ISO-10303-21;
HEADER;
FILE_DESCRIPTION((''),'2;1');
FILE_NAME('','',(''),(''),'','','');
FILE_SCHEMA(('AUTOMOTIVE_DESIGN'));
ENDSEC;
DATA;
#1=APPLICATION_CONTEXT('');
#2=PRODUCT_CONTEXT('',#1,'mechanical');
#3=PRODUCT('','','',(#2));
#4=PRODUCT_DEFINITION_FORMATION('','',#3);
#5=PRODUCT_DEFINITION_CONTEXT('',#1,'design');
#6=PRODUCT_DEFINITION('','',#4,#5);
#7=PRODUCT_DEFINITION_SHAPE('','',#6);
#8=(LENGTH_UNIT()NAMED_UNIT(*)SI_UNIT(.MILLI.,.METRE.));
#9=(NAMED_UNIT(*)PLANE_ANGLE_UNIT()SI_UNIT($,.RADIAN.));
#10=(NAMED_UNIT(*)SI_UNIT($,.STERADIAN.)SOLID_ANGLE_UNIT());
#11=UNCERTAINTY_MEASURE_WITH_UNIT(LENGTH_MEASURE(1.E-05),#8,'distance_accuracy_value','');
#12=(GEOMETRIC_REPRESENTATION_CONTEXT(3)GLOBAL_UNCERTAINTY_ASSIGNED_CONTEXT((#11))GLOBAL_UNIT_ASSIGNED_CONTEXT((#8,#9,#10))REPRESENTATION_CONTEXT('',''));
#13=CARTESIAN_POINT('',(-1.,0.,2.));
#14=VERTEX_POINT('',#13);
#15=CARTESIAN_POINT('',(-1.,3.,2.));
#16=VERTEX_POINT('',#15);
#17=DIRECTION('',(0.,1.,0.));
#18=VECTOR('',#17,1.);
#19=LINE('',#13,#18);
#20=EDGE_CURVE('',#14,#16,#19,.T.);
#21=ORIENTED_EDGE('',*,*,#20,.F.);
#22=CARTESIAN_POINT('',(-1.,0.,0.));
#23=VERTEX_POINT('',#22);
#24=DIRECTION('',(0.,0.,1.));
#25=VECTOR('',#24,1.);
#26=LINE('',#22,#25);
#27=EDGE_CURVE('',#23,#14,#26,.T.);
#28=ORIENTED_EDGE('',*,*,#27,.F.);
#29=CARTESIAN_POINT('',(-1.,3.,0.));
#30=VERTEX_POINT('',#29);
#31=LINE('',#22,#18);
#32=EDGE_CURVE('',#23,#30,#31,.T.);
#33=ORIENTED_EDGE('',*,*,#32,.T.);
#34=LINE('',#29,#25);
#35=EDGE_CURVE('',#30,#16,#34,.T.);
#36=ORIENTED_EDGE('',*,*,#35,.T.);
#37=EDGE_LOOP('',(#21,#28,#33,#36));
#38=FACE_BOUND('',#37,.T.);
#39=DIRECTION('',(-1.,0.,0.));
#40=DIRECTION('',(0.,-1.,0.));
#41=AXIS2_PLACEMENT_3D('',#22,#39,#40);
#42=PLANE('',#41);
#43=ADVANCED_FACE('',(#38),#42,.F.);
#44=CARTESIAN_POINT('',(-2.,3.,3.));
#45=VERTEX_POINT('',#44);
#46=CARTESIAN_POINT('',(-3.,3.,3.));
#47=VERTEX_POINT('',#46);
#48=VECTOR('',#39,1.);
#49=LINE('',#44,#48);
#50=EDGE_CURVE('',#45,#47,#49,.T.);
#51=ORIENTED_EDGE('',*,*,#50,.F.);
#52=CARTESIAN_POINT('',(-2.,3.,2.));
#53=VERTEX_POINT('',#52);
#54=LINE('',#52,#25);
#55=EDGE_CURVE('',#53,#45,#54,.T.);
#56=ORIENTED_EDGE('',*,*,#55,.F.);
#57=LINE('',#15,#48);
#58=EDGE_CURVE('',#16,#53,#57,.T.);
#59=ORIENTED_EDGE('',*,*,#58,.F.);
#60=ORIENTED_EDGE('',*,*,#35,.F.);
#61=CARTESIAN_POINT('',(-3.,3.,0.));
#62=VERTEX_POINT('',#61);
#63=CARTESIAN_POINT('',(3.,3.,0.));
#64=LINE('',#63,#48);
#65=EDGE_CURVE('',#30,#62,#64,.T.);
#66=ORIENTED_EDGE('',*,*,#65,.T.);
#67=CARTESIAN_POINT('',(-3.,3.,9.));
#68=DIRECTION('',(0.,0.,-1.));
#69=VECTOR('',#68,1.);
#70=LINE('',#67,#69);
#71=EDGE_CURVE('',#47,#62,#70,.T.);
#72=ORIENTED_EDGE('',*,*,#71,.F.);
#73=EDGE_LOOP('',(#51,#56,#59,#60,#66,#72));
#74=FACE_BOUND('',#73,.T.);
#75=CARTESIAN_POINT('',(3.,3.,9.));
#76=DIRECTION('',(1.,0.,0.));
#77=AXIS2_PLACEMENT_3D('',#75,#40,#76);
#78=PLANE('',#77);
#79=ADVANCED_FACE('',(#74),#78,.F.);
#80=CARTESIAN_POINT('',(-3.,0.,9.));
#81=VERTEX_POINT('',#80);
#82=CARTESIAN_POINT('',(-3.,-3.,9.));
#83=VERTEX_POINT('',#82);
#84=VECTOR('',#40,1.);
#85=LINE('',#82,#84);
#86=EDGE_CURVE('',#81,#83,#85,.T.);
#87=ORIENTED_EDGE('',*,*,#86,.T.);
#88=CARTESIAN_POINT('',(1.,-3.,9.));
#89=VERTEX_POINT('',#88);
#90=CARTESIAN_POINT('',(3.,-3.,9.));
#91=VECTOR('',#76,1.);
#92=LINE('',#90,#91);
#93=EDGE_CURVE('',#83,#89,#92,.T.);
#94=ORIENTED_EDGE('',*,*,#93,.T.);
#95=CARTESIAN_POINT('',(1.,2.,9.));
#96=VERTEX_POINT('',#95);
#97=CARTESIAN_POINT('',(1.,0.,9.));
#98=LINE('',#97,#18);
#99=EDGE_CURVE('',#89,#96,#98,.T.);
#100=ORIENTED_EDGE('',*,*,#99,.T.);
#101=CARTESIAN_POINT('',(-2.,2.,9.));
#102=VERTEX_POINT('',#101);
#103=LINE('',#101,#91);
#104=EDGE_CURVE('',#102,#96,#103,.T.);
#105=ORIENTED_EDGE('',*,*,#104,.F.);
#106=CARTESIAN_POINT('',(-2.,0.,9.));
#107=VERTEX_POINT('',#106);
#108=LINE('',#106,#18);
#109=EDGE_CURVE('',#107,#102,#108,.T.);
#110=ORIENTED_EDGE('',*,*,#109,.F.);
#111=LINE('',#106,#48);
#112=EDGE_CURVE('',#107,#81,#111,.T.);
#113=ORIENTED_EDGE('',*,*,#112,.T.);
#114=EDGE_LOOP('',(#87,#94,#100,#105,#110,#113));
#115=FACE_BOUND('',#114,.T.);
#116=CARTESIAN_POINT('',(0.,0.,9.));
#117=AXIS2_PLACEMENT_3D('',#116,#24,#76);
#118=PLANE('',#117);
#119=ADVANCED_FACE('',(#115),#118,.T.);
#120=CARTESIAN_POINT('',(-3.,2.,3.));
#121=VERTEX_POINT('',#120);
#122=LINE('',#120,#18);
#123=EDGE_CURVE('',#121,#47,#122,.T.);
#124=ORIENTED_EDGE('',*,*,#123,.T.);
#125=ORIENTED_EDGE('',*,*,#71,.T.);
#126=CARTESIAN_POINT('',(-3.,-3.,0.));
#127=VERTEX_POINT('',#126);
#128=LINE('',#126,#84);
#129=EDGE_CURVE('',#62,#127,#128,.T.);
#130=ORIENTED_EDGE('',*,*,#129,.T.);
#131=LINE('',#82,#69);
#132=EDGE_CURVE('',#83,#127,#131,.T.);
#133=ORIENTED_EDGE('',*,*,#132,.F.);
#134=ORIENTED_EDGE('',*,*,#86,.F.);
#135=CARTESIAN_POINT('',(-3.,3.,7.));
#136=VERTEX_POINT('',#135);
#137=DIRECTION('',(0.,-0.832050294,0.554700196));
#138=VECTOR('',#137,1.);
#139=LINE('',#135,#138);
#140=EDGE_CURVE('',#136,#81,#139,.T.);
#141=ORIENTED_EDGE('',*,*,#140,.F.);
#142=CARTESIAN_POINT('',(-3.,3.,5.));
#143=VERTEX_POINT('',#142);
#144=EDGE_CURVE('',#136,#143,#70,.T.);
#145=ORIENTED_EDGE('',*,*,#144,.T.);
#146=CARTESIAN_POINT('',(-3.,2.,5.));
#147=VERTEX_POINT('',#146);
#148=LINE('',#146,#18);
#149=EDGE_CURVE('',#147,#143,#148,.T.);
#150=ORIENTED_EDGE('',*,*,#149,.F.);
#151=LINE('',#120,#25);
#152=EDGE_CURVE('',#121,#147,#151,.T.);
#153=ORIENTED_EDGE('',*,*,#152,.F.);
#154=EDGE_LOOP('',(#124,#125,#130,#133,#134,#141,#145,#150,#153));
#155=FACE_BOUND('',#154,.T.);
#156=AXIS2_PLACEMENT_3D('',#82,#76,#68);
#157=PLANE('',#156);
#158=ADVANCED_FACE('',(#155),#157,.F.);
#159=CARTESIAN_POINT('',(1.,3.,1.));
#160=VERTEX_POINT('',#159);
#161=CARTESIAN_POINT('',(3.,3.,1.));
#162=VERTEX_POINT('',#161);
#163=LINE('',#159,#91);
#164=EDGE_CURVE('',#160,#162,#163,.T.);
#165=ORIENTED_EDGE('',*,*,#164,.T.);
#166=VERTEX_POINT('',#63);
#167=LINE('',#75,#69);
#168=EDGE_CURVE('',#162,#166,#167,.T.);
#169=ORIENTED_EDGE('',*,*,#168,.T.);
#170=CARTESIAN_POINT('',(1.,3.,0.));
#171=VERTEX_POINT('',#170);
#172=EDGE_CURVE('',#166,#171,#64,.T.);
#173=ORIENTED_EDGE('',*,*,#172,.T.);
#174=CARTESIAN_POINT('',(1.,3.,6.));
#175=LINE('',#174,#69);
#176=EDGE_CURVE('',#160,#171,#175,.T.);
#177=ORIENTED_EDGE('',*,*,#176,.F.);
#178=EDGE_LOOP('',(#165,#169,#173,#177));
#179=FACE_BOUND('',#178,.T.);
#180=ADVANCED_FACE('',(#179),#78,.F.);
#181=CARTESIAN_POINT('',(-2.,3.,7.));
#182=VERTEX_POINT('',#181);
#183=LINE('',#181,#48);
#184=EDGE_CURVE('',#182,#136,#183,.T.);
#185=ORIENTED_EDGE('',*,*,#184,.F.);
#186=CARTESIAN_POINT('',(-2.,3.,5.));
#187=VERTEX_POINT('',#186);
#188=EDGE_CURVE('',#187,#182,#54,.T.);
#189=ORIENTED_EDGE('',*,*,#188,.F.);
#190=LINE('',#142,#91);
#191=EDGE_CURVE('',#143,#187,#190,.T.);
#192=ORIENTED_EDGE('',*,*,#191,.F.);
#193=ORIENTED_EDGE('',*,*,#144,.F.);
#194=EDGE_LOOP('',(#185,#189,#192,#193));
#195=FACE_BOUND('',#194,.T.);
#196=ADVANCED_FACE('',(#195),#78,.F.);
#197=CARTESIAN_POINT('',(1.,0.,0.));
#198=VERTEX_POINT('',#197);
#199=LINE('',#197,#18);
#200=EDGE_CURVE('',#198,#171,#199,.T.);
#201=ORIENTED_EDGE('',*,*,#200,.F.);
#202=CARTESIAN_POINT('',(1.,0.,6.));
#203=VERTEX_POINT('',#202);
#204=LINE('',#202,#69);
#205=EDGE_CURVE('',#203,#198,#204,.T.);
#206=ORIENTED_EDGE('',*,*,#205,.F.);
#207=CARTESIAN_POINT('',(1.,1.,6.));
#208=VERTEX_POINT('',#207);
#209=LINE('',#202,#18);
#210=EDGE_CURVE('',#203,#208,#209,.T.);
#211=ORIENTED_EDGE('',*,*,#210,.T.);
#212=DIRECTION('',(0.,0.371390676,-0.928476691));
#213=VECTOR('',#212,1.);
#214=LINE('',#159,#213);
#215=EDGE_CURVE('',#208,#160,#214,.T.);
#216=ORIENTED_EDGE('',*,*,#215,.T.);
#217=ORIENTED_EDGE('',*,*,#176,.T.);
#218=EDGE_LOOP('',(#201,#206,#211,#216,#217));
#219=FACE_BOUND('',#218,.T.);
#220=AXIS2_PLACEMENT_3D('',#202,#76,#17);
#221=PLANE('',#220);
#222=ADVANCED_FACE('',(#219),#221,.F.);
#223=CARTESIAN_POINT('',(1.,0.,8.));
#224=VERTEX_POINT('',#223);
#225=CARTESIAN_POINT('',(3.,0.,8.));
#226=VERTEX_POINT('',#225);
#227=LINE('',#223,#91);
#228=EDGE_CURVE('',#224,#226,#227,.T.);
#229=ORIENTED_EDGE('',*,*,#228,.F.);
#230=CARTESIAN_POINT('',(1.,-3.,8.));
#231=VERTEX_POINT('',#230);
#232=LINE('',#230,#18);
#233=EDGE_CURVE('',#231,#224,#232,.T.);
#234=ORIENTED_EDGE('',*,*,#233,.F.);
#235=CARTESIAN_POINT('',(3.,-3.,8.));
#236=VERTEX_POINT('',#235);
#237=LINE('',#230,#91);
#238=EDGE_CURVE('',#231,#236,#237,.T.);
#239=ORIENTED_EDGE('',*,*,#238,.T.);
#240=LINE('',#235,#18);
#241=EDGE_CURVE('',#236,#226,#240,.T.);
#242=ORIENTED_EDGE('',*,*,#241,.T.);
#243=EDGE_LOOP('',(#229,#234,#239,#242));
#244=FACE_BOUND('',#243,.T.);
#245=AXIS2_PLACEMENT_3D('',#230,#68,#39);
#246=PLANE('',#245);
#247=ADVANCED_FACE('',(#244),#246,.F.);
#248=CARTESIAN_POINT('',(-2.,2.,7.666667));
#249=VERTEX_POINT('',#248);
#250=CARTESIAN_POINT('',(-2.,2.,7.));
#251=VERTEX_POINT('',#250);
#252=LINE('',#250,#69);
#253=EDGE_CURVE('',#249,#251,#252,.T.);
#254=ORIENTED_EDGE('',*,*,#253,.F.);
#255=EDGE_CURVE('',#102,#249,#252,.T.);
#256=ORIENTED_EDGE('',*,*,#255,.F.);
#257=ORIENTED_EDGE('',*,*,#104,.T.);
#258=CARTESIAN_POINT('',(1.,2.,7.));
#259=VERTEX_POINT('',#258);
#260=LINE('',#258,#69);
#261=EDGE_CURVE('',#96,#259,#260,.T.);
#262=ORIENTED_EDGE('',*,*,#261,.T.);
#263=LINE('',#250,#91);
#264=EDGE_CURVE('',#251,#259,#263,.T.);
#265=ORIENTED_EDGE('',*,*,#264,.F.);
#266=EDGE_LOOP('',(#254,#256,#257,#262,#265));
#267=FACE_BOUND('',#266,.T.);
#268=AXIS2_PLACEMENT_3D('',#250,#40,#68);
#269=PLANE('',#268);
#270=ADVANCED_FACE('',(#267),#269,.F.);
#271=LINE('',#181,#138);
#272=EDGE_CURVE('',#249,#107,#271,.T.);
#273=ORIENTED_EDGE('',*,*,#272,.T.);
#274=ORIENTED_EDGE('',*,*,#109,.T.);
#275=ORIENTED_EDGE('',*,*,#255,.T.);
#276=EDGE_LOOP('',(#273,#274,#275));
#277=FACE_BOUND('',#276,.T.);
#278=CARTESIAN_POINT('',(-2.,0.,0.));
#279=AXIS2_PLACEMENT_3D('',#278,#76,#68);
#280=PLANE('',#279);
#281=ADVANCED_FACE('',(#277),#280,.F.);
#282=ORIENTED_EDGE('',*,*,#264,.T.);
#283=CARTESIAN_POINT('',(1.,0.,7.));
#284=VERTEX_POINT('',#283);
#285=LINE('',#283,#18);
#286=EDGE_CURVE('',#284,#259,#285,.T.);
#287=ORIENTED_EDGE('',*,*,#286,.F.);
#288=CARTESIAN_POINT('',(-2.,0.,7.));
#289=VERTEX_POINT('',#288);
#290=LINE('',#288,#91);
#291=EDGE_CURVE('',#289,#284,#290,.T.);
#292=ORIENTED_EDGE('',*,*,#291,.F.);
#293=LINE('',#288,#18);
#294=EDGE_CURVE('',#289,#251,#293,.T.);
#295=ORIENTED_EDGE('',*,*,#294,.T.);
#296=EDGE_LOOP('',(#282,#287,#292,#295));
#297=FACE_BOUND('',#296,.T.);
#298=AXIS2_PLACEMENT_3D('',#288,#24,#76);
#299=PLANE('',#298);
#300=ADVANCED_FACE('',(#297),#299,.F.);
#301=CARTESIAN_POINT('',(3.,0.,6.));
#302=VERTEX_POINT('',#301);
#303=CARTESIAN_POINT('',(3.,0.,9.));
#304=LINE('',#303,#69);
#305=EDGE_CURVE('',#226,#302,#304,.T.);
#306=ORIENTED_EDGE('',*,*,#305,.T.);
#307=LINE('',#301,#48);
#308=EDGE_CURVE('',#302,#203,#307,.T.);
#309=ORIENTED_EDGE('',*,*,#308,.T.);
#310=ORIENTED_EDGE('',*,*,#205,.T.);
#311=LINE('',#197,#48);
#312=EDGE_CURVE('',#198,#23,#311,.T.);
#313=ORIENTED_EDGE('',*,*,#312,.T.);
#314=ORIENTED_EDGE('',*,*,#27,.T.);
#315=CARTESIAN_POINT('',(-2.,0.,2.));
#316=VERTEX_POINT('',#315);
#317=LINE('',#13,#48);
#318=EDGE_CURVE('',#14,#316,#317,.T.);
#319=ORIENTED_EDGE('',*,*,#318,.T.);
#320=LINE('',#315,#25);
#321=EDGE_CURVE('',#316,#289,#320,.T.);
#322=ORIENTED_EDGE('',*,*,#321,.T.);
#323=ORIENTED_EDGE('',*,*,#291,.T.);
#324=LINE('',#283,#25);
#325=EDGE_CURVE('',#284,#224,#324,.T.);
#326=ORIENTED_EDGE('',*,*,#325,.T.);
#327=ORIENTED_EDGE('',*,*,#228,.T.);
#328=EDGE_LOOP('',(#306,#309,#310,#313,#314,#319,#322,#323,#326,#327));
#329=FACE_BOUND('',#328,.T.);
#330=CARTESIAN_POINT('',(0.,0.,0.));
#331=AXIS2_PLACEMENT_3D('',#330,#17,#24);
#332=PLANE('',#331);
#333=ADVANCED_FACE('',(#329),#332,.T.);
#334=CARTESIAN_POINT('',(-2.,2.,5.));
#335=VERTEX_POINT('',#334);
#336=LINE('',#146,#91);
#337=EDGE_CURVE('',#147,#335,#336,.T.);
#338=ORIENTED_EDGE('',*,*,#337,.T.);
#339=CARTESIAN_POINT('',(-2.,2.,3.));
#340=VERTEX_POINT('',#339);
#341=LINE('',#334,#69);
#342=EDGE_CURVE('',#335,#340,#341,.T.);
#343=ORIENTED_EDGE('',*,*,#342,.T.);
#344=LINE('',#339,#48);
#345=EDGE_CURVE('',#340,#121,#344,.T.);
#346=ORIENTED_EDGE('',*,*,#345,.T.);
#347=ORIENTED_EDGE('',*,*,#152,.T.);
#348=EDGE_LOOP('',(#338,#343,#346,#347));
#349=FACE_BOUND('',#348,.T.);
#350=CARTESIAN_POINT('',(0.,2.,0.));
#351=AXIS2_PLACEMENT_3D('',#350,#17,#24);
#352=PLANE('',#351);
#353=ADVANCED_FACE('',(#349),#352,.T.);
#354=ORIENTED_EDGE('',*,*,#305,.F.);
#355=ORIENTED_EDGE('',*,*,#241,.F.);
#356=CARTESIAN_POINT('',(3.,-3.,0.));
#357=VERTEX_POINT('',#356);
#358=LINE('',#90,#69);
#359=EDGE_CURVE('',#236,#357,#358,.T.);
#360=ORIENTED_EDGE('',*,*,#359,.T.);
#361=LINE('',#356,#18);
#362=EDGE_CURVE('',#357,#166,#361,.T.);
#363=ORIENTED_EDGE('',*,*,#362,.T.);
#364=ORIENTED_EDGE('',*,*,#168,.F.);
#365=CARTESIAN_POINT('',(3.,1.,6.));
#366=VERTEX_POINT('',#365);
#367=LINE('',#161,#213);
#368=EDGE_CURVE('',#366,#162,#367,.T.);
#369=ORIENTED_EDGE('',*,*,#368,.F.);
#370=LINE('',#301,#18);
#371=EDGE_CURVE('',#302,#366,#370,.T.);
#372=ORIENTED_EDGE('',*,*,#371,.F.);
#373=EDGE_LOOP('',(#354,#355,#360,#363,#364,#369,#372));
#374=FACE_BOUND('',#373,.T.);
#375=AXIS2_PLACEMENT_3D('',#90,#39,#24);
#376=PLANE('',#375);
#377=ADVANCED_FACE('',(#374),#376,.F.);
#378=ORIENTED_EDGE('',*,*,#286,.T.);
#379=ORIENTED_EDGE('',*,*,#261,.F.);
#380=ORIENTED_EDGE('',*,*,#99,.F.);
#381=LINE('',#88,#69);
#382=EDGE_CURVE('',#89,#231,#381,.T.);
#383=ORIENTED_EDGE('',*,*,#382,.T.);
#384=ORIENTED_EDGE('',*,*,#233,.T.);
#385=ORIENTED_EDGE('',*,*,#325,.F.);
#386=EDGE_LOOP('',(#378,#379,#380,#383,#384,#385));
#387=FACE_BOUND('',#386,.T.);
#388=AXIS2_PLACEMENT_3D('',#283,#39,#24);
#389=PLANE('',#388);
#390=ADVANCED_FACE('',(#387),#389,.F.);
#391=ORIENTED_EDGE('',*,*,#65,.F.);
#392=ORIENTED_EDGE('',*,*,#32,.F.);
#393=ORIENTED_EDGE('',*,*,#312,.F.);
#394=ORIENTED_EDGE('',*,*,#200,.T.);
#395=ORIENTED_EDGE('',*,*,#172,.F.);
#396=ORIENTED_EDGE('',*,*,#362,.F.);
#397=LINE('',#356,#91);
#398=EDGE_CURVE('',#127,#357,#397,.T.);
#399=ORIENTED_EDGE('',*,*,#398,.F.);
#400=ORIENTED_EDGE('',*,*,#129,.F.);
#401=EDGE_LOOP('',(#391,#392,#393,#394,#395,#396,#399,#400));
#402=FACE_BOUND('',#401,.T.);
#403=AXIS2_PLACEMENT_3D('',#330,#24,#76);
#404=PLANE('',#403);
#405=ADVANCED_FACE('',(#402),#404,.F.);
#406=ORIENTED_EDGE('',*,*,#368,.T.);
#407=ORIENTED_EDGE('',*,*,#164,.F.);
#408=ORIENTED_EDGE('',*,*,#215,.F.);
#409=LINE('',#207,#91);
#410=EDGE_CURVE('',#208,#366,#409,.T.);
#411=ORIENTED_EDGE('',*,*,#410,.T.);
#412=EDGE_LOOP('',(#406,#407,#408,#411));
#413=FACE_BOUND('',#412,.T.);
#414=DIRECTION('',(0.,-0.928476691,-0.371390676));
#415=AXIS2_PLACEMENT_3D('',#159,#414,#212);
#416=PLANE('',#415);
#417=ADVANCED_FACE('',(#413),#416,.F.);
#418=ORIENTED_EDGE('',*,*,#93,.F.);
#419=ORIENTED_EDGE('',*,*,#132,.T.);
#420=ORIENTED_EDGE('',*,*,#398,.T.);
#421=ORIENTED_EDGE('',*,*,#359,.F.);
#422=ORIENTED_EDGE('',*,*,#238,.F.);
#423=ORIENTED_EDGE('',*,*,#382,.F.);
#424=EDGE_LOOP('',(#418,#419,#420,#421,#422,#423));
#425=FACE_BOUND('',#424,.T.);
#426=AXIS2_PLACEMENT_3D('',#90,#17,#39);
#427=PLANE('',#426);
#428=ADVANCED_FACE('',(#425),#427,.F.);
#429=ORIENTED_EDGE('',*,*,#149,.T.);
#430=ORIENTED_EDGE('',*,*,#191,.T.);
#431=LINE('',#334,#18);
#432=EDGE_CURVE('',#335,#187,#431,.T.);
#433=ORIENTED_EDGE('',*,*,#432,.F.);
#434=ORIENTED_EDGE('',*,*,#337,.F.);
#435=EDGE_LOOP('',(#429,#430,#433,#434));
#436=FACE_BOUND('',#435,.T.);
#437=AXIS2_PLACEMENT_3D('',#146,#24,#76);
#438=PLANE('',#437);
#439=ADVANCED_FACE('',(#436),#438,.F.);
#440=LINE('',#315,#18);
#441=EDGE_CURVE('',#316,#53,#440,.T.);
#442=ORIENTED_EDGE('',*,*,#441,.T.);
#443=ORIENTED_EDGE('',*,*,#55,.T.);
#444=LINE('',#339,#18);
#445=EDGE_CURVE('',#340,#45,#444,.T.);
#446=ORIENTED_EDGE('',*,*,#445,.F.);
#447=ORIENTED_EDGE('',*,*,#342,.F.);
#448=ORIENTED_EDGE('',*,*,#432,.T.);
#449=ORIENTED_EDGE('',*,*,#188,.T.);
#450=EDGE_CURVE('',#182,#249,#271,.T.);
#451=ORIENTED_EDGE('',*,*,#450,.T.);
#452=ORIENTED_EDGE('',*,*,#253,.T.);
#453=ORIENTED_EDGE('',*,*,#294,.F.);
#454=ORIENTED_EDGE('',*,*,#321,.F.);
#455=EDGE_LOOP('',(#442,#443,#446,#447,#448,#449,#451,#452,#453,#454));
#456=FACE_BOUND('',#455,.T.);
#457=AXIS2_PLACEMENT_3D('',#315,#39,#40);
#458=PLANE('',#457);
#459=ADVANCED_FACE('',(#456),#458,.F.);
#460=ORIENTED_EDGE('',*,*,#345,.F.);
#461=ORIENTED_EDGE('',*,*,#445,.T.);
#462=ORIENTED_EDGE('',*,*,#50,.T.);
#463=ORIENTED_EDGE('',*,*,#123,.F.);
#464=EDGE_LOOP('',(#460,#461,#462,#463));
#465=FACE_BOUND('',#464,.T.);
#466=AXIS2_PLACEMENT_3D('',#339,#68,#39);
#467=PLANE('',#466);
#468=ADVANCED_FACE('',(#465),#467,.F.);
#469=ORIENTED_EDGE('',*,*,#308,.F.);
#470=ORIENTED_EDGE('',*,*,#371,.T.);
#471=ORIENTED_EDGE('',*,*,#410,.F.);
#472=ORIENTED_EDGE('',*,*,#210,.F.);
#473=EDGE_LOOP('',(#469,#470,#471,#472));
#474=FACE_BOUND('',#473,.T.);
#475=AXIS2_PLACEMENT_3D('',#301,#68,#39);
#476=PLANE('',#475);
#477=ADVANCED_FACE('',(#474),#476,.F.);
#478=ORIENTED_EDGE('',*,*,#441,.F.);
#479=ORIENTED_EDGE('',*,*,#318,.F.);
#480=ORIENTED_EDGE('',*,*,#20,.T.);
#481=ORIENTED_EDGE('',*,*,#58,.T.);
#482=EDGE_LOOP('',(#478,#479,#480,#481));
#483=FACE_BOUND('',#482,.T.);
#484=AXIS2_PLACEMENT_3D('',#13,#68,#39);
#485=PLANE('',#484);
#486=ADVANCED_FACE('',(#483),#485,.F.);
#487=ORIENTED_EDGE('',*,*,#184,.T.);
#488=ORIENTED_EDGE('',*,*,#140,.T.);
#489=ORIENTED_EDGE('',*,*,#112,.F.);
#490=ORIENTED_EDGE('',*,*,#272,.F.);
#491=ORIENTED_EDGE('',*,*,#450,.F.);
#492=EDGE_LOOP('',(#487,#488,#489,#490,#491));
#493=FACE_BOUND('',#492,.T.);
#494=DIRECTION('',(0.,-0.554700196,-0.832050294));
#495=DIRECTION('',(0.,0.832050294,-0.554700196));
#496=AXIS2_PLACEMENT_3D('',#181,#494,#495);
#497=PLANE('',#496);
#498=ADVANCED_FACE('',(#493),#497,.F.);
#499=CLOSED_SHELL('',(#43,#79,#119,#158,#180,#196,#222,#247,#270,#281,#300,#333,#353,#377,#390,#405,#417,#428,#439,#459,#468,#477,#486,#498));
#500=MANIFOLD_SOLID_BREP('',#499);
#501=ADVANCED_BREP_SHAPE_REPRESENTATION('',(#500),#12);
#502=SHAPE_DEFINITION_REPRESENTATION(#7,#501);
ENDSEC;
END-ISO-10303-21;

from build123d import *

# Parameters (mm, degrees)
SKETCH1_W           = 6
SKETCH1_H           = 6
BOSS_EXTRUDE1_DEPTH = 9
CUT_EXTRUDE1_DEPTH  = 3
SKETCH3_W           = 1
SKETCH3_H           = 2
CUT_EXTRUDE2_DEPTH  = 1
CUT_EXTRUDE3_DEPTH  = 1
SKETCH5_W           = 2
SKETCH5_H           = 1
CUT_EXTRUDE4_DEPTH  = 3
SKETCH6_W           = 1
SKETCH6_H           = 3
CUT_EXTRUDE5_DEPTH  = 2
CUT_EXTRUDE6_DEPTH  = 2


with BuildPart() as part:
    # Sketch1 → Boss-Extrude1 (new body)
    with BuildSketch(Plane.XY):
        Rectangle(SKETCH1_W, SKETCH1_H)
    extrude(amount=BOSS_EXTRUDE1_DEPTH)

    # Sketch2 → Cut-Extrude1 (cut)
    with BuildSketch(Plane(origin=(0, 3, 0), x_dir=(1, 0, 0), z_dir=(0, 1, 0))):
        Polygon((1, 0), (-1, 0), (-1, -2), (-2, -2), (-2, -7), (1, -7), (1, -9), (3, -9), (3, -6), (1, -6), align=None)
    extrude(amount=-CUT_EXTRUDE1_DEPTH, mode=Mode.SUBTRACT)

    # Sketch3 → Cut-Extrude2 (cut)
    with BuildSketch(Plane(origin=(0, 3, 0), x_dir=(1, 0, 0), z_dir=(0, 1, 0))):
        with Locations((-2.5, -4)):
            Rectangle(SKETCH3_W, SKETCH3_H)
    extrude(amount=-CUT_EXTRUDE2_DEPTH, mode=Mode.SUBTRACT)

    # Sketch4 → Cut-Extrude3 (cut)
    with BuildSketch(Plane.ZY.offset(3)):
        Polygon((7, 3), (9, 0), (9, 3), align=None)
    extrude(amount=-CUT_EXTRUDE3_DEPTH, mode=Mode.SUBTRACT)

    # Sketch5 → Cut-Extrude4 (cut)
    with BuildSketch(Plane(origin=(1, 0, 0), x_dir=(0, 0, -1), z_dir=(1, 0, 0))):
        with Locations((-8, 2.5)):
            Rectangle(SKETCH5_W, SKETCH5_H)
    extrude(amount=-CUT_EXTRUDE4_DEPTH, mode=Mode.SUBTRACT)

    # Sketch6 → Cut-Extrude5 (cut)
    with BuildSketch(Plane(origin=(3, 0, 0), x_dir=(0, 0, -1), z_dir=(1, 0, 0))):
        with Locations((-8.5, -1.5)):
            Rectangle(SKETCH6_W, SKETCH6_H)
    extrude(amount=-CUT_EXTRUDE5_DEPTH, mode=Mode.SUBTRACT)

    # Sketch7 → Cut-Extrude6 (cut)
    with BuildSketch(Plane(origin=(3, 0, 0), x_dir=(0, 0, -1), z_dir=(1, 0, 0))):
        Polygon((-1, 3), (-6, 1), (-6, 3), align=None)
    extrude(amount=-CUT_EXTRUDE6_DEPTH, mode=Mode.SUBTRACT)


solid = part.part
